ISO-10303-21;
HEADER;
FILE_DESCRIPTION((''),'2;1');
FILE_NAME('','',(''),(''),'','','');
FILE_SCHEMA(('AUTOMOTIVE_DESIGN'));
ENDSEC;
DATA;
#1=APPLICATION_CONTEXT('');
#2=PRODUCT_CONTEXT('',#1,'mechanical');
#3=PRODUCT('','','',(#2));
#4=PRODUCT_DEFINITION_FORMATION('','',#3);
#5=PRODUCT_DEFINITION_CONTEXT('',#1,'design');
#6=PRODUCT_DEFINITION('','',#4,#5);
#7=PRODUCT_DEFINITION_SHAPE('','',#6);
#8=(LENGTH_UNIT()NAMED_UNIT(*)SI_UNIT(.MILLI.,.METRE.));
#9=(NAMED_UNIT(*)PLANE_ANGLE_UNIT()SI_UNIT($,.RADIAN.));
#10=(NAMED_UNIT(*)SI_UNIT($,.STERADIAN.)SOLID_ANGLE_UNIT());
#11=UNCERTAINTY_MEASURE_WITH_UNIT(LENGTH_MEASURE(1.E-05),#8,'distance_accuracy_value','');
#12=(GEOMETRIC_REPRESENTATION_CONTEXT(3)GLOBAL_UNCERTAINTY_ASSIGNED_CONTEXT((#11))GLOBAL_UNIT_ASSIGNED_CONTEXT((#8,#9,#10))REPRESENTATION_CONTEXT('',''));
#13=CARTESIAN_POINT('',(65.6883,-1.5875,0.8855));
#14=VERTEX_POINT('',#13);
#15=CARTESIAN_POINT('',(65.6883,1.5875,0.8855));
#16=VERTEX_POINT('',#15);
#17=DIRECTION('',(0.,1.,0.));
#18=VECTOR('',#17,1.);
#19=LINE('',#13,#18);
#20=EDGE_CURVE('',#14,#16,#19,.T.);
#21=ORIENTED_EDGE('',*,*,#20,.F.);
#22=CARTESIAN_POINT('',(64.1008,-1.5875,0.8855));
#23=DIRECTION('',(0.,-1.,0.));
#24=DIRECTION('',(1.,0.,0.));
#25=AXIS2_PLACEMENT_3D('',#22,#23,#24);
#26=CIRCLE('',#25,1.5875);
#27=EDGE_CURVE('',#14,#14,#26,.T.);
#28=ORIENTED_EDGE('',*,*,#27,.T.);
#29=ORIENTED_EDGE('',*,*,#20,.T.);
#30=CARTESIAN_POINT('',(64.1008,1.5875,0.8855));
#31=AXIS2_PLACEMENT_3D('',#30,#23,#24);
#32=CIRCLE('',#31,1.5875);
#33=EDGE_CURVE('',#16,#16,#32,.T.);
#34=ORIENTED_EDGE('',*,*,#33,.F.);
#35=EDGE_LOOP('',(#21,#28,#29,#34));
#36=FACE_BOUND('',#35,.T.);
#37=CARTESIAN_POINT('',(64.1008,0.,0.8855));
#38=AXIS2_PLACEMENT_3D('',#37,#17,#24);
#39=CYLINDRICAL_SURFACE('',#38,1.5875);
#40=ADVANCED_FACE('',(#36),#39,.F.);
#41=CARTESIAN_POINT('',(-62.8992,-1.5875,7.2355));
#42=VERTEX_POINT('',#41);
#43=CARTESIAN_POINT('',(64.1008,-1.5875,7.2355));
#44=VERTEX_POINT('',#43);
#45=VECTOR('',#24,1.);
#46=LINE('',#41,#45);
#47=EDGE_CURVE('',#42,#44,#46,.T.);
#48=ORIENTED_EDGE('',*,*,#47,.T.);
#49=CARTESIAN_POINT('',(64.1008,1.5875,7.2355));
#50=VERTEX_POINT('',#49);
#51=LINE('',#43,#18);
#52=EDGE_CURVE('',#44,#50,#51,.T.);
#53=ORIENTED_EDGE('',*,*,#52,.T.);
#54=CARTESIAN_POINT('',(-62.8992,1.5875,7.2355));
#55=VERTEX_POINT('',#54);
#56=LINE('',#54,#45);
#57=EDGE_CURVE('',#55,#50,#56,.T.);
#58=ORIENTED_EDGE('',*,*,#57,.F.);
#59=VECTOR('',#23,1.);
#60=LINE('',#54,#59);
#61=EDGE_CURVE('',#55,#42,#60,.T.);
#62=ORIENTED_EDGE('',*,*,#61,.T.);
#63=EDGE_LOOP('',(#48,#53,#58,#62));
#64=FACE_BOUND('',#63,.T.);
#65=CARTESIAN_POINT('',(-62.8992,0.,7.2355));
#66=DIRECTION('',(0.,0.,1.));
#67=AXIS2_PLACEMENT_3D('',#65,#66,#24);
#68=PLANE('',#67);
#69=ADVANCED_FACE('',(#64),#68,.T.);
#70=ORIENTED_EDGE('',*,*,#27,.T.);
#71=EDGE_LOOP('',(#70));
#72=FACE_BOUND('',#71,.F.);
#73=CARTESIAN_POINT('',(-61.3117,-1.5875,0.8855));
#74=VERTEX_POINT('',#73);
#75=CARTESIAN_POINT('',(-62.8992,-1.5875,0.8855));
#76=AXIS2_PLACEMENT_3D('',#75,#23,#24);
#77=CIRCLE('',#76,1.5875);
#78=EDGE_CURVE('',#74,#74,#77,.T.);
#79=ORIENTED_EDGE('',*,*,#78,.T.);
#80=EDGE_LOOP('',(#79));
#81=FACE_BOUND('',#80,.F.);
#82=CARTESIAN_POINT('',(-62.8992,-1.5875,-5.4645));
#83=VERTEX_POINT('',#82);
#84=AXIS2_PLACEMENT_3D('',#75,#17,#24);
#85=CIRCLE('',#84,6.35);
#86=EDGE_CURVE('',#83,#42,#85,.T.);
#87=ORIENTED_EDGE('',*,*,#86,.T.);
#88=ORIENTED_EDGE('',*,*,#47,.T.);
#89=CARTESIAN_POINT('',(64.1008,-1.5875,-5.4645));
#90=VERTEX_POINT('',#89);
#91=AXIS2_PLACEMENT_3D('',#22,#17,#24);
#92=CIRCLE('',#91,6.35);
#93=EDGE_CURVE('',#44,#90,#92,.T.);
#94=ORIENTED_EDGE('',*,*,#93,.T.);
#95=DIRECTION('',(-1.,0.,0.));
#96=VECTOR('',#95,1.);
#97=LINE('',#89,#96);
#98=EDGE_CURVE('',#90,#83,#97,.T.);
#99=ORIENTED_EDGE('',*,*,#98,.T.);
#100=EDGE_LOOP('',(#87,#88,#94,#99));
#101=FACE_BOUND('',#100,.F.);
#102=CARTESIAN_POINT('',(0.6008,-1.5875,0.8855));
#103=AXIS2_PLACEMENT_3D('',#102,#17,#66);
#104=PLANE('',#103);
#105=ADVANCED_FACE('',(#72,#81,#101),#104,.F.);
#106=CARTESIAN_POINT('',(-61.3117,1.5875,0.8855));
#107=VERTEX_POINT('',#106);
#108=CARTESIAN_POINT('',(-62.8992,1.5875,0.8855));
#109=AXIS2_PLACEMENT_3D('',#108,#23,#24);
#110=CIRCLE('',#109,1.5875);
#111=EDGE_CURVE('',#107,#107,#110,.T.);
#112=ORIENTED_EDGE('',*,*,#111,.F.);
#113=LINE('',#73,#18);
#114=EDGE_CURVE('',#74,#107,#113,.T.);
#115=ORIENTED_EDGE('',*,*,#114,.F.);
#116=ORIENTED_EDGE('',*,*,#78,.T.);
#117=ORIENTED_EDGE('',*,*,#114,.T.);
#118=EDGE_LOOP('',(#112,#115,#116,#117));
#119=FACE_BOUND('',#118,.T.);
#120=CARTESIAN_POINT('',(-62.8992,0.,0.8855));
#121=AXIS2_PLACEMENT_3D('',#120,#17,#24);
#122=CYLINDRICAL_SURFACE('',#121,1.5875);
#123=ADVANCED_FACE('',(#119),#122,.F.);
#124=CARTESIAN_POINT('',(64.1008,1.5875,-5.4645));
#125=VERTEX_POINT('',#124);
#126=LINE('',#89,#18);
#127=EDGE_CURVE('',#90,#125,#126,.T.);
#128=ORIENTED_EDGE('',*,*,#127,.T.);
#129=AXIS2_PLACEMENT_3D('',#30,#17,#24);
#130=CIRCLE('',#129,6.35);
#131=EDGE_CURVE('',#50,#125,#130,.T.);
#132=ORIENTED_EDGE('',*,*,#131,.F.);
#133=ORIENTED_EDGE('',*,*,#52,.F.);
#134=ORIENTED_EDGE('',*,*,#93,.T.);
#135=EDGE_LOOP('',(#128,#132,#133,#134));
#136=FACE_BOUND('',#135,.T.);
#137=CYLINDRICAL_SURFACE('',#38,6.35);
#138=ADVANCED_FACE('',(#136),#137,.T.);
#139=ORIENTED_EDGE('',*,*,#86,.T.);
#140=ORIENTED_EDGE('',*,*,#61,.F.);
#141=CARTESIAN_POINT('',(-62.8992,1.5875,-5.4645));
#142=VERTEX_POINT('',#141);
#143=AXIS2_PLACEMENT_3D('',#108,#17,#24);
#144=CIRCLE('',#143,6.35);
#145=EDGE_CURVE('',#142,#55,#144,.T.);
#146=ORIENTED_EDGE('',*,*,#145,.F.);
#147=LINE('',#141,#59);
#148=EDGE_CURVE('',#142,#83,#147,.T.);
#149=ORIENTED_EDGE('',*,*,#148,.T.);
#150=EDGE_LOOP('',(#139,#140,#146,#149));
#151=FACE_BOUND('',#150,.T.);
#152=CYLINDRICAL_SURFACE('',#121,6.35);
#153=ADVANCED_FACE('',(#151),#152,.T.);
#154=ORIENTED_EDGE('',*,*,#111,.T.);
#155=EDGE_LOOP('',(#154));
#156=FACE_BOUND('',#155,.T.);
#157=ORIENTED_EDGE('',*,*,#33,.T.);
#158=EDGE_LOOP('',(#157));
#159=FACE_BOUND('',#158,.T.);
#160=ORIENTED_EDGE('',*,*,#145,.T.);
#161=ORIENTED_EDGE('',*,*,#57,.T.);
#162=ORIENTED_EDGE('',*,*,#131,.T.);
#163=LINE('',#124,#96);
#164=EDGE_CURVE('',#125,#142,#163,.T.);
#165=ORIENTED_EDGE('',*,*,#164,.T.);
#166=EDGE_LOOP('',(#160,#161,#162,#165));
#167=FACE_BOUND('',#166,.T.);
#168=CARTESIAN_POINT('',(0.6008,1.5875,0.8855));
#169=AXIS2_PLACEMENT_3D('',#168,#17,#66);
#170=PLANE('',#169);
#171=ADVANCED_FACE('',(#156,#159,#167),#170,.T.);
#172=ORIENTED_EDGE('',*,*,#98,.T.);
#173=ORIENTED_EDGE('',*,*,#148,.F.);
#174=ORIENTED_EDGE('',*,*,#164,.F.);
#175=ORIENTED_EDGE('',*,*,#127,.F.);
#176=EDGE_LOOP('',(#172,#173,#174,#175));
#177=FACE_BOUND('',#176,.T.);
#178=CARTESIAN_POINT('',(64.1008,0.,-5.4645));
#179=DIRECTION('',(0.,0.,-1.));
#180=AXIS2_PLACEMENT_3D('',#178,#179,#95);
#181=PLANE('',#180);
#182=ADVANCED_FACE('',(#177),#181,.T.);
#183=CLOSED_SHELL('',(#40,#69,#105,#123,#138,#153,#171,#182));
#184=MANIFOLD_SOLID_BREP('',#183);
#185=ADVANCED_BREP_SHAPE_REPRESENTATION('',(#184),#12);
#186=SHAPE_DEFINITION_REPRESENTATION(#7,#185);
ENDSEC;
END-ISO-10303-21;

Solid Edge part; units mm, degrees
sketch "Sketch1" plane through (0, 0, 0) normal (0, -1, 0) x (1, 0, 0)
  circle A0 centre (-62.8992, 0.8855) radius 1.5875
  circle A1 centre (64.1008, 0.8855) radius 1.5875
  line L0 (-62.8992, 7.2355) -> (64.1008, 7.2355)
  arc A2 (64.1008, 7.2355) -> (64.1008, -5.4645) centre (64.1008, 0.8855) cw
  line L1 (64.1008, -5.4645) -> (-62.8992, -5.4645)
  arc A3 (-62.8992, -5.4645) -> (-62.8992, 7.2355) centre (-62.8992, 0.8855) cw
  dimension "D1" = 6.35
  dimension "D2" = 3.175
  dimension "D3" = 127
extrude "Protrusion1" add sketch "Sketch1" along normal mid plane 3.175
properties material "ALUMINUM"
